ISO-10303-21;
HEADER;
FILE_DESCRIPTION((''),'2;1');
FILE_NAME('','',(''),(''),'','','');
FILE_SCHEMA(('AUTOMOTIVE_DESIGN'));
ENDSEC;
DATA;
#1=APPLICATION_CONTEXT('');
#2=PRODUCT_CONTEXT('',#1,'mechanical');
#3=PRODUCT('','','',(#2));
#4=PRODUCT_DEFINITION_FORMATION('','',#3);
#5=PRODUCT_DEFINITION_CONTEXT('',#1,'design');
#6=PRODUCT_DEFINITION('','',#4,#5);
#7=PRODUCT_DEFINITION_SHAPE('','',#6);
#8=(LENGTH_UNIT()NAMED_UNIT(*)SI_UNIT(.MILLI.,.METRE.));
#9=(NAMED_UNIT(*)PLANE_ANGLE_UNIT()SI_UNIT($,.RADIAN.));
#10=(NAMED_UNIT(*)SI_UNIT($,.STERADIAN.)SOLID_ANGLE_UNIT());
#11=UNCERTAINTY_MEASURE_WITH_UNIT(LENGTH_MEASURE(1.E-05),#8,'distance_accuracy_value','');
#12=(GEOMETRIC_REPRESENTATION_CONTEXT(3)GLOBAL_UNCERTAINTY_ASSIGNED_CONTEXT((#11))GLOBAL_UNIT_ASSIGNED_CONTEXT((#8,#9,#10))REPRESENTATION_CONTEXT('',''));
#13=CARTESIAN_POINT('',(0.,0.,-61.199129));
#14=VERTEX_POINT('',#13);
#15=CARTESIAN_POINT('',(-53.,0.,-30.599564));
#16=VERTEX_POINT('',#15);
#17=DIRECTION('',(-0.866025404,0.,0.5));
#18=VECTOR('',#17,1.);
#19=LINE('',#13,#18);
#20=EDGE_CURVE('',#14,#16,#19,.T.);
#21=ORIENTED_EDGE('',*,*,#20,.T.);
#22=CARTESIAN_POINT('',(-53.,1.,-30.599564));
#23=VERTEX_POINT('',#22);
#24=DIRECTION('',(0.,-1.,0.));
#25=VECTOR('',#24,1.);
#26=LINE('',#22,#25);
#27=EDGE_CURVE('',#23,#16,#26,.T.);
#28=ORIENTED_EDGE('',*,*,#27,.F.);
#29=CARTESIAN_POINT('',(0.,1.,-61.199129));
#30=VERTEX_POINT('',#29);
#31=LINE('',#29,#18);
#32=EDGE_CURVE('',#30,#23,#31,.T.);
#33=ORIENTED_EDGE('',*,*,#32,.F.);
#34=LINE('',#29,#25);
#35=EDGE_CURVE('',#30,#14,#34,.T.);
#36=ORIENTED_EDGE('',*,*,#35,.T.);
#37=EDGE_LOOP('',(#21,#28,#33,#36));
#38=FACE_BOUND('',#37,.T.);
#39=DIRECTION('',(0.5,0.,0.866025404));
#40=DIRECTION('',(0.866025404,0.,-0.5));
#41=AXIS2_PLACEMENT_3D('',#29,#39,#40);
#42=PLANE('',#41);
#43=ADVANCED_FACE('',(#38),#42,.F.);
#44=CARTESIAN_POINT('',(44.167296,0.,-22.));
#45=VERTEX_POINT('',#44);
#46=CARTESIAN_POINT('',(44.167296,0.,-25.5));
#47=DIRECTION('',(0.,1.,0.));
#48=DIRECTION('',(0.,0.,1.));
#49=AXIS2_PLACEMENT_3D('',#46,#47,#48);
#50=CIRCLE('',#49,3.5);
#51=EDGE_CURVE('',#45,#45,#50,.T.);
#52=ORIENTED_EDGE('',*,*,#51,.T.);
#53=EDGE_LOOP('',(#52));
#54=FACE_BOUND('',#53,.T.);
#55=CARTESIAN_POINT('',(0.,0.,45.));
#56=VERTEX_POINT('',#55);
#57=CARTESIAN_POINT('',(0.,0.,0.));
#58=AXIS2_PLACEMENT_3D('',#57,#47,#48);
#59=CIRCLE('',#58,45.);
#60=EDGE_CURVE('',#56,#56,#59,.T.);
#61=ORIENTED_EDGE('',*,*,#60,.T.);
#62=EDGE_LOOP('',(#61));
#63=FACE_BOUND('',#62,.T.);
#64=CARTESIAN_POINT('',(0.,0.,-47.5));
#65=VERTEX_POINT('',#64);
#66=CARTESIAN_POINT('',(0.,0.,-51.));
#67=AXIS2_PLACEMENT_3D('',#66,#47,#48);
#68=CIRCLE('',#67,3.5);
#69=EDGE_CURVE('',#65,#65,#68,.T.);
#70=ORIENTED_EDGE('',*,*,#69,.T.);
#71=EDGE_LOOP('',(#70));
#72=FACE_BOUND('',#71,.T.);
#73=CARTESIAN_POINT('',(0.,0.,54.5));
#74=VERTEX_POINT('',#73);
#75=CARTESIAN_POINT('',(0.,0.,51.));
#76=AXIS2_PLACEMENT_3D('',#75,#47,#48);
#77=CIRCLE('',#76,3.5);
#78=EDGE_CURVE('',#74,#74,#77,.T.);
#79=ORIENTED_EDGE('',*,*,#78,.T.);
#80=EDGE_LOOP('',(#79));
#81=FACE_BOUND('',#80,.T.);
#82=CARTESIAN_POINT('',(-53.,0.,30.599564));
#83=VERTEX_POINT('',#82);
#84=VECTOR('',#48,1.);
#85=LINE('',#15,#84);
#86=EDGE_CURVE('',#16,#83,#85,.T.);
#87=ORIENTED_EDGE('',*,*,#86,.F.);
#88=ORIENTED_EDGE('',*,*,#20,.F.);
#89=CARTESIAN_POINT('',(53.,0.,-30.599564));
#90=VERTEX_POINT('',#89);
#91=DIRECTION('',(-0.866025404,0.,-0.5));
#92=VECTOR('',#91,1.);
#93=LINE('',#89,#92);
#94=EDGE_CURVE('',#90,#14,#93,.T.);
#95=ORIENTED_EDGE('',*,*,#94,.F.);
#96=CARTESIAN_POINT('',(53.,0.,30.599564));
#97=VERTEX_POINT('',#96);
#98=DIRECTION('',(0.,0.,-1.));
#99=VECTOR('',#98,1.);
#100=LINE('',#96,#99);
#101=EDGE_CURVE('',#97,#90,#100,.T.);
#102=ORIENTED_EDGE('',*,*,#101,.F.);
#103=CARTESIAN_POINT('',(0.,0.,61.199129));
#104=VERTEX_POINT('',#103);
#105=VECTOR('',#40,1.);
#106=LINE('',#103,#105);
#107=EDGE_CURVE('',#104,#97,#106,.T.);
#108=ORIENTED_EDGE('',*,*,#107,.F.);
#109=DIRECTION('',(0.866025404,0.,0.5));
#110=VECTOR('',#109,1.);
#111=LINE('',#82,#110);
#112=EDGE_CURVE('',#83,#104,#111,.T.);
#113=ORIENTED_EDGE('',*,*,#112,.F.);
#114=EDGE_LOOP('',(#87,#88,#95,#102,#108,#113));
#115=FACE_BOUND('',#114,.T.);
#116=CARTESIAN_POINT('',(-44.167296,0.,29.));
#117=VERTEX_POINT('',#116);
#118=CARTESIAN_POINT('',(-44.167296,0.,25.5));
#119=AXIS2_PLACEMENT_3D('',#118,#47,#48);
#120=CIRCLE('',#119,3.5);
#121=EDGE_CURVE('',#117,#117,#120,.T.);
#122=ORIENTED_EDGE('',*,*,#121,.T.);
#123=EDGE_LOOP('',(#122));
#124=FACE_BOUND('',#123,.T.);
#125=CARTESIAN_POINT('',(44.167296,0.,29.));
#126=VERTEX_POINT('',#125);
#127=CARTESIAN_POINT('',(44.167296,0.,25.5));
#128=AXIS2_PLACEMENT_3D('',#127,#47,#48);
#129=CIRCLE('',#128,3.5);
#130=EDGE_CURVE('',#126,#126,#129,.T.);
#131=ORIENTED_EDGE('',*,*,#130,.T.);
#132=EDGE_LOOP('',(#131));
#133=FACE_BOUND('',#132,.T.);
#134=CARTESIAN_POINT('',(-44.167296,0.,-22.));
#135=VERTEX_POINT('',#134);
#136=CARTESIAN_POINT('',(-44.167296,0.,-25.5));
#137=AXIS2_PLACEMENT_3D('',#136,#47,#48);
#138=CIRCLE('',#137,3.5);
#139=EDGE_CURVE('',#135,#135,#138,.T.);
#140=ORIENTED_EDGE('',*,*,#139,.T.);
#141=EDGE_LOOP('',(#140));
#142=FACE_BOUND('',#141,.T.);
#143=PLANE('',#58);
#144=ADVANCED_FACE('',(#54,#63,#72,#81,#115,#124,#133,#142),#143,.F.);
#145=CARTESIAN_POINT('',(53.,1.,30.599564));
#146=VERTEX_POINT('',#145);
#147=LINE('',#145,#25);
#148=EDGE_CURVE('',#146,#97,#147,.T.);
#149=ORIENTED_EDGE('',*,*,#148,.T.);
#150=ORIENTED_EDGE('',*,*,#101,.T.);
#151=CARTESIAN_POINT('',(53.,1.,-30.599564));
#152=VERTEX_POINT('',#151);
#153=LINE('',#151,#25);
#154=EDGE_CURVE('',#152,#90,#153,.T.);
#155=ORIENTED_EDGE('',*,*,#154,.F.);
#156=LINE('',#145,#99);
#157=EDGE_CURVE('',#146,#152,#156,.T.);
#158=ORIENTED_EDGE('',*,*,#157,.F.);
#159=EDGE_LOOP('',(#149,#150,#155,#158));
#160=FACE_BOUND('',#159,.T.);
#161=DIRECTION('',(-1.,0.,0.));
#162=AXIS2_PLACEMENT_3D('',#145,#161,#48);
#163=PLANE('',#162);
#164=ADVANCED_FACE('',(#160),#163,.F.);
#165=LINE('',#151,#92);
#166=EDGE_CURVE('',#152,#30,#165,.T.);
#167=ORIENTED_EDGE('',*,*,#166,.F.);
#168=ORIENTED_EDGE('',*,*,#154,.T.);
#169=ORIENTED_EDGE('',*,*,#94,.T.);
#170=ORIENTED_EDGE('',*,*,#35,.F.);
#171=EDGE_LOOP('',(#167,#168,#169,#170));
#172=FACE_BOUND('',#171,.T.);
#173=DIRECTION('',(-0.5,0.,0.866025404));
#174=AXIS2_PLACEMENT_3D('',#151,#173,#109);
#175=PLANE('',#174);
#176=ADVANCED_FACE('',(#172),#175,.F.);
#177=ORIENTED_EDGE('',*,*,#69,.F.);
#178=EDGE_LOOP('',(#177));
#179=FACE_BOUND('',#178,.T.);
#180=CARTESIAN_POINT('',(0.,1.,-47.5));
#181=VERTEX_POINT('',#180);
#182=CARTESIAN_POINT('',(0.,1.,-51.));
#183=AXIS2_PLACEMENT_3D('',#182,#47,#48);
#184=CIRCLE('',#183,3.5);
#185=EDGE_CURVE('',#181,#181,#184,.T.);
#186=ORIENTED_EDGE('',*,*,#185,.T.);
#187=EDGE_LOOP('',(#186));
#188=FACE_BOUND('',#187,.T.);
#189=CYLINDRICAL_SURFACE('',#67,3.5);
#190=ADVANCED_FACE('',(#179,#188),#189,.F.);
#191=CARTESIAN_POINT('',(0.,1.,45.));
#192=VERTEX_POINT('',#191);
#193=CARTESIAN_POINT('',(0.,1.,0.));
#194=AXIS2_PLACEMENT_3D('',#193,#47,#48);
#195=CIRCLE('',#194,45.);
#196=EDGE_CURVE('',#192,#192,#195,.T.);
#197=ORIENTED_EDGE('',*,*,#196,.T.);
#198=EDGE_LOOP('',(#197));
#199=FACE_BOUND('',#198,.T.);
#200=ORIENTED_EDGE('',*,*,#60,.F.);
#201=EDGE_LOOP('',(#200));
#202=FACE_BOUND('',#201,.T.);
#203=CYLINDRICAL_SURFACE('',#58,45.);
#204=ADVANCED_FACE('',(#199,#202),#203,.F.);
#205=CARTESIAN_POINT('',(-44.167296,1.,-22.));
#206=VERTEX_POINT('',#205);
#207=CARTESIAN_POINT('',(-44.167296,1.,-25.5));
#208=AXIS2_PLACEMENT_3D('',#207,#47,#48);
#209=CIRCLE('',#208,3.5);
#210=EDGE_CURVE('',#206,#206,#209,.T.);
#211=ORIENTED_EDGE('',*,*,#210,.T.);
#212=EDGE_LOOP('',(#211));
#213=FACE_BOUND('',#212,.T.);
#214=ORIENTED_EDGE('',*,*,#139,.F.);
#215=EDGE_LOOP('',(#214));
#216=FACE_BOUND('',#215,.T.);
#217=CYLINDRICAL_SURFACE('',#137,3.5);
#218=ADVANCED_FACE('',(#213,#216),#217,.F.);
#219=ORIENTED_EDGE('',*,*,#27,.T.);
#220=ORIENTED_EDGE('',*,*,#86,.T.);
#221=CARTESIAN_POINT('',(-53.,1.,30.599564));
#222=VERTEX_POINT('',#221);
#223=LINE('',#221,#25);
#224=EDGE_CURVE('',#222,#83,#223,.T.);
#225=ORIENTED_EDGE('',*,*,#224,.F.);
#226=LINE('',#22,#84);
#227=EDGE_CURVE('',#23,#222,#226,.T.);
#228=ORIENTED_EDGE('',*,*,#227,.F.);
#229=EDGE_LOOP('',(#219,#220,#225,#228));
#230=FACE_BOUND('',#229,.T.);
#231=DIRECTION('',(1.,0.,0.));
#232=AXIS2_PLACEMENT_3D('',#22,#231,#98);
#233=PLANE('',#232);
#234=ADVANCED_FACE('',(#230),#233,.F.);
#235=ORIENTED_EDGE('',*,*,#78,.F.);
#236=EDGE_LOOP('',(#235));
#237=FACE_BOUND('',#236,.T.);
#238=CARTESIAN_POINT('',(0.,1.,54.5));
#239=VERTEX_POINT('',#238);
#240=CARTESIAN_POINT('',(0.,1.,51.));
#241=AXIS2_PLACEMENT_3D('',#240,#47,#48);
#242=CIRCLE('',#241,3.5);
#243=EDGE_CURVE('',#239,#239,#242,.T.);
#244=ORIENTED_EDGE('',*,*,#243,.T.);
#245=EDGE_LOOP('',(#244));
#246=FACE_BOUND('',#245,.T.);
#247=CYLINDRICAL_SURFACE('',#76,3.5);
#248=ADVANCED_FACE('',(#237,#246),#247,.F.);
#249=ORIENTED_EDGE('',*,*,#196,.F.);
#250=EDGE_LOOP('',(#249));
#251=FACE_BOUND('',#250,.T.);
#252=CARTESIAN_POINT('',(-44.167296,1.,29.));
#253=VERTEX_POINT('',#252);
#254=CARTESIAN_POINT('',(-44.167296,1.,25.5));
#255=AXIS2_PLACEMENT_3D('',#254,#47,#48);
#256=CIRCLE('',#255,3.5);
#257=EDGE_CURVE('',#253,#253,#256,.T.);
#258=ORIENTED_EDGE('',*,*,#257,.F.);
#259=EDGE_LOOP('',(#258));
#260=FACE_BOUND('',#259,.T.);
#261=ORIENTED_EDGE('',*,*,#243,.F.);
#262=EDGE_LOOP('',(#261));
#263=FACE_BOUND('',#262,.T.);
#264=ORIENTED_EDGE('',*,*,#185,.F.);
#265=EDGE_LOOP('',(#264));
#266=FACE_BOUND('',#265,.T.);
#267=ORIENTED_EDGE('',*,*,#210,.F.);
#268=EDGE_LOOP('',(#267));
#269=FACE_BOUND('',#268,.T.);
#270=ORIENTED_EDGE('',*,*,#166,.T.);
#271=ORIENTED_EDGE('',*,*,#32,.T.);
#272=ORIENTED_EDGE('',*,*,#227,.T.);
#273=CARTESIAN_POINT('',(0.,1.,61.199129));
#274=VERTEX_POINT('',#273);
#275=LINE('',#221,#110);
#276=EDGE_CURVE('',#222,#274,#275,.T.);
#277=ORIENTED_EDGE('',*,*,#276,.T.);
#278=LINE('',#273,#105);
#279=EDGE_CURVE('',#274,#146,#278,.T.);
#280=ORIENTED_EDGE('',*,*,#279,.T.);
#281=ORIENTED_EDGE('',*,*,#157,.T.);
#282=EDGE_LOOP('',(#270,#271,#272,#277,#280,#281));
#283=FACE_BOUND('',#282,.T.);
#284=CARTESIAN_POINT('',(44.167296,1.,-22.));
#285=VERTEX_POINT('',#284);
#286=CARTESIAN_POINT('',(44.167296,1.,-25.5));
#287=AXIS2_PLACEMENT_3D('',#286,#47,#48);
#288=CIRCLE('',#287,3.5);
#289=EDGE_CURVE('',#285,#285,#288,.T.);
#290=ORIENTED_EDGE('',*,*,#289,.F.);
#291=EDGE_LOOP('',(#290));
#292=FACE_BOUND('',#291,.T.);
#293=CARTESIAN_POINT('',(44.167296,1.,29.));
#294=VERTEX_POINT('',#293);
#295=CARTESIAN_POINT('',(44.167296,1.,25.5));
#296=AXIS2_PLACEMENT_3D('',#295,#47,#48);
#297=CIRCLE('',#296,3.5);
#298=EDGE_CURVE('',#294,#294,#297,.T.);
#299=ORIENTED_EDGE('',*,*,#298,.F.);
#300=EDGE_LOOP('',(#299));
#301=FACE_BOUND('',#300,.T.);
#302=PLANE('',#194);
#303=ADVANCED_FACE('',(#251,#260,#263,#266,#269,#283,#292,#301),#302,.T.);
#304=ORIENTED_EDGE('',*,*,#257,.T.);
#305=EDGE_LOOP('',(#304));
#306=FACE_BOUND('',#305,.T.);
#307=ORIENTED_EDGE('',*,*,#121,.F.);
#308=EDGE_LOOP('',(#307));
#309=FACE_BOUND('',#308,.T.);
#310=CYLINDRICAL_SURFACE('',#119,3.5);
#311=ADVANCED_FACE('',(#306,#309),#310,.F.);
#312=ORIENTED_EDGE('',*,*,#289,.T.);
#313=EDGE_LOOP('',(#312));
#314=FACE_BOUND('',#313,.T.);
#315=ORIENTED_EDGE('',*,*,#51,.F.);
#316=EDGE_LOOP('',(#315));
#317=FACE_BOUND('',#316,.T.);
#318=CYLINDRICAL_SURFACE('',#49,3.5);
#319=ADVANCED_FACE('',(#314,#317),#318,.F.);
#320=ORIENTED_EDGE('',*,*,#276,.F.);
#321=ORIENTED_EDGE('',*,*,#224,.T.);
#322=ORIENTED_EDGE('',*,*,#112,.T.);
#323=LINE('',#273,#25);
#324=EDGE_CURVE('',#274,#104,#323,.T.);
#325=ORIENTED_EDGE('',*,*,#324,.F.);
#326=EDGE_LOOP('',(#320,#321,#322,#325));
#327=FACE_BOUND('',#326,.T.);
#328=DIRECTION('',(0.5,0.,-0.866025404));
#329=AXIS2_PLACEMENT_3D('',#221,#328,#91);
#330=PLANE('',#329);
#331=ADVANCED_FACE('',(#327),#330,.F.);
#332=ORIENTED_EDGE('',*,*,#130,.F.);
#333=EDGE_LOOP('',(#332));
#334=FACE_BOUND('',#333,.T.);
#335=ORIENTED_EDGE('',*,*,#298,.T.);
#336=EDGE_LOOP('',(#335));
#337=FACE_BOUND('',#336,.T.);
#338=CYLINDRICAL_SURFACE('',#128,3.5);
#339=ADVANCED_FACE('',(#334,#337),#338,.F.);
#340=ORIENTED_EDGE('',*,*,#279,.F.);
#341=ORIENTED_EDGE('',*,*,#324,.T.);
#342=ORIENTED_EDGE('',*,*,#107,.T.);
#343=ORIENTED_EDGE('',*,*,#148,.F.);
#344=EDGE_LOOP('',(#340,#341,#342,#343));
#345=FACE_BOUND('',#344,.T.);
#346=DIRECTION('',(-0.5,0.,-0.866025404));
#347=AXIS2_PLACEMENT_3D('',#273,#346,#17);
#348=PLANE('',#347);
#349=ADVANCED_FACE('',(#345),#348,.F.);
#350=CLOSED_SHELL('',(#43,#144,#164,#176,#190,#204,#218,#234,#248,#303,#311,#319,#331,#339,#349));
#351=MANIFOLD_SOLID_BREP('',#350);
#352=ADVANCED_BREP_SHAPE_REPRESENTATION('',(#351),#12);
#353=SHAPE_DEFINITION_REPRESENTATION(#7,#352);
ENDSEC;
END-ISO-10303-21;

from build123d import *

# Parameters (mm, degrees)
BOSS_EXTRUDE1_DEPTH = 1
SKETCH2_R           = 45
SKETCH2_R_2         = 3.5
CUT_EXTRUDE1_DEPTH  = 81.96501302


with BuildPart() as part:
    # Sketch1 → Boss-Extrude1 (new body)
    with BuildSketch(Plane(origin=(0, 0, 0), x_dir=(1, 0, 0), z_dir=(0, 1, 0))):
        Polygon((0, 61.199128534), (-53, 30.599564267), (-53, -30.599564267), (0, -61.199128534), (53, -30.599564267), (53, 30.599564267), align=None)
    extrude(amount=BOSS_EXTRUDE1_DEPTH)

    # Sketch2 → Cut-Extrude1 (cut, through all)
    with BuildSketch(Plane(origin=(0, 1, 0), x_dir=(1, 0, 0), z_dir=(0, 1, 0))):
        with Locations(Location((0, 0, 0), (0, 0, 270))):
            Circle(SKETCH2_R)
        with Locations(Location((0, 51, 0), (0, 0, 270))):
            Circle(SKETCH2_R_2)
        with Locations(Location((44.167295593, 25.5, 0), (0, 0, 270))):
            Circle(SKETCH2_R_2)
        with Locations(Location((44.167295593, -25.5, 0), (0, 0, 270))):
            Circle(SKETCH2_R_2)
        with Locations(Location((0, -51, 0), (0, 0, 270))):
            Circle(SKETCH2_R_2)
        with Locations(Location((-44.167295593, -25.5, 0), (0, 0, 270))):
            Circle(SKETCH2_R_2)
        with Locations(Location((-44.167295593, 25.5, 0), (0, 0, 270))):
            Circle(SKETCH2_R_2)
    extrude(amount=-CUT_EXTRUDE1_DEPTH, mode=Mode.SUBTRACT)


solid = part.part
